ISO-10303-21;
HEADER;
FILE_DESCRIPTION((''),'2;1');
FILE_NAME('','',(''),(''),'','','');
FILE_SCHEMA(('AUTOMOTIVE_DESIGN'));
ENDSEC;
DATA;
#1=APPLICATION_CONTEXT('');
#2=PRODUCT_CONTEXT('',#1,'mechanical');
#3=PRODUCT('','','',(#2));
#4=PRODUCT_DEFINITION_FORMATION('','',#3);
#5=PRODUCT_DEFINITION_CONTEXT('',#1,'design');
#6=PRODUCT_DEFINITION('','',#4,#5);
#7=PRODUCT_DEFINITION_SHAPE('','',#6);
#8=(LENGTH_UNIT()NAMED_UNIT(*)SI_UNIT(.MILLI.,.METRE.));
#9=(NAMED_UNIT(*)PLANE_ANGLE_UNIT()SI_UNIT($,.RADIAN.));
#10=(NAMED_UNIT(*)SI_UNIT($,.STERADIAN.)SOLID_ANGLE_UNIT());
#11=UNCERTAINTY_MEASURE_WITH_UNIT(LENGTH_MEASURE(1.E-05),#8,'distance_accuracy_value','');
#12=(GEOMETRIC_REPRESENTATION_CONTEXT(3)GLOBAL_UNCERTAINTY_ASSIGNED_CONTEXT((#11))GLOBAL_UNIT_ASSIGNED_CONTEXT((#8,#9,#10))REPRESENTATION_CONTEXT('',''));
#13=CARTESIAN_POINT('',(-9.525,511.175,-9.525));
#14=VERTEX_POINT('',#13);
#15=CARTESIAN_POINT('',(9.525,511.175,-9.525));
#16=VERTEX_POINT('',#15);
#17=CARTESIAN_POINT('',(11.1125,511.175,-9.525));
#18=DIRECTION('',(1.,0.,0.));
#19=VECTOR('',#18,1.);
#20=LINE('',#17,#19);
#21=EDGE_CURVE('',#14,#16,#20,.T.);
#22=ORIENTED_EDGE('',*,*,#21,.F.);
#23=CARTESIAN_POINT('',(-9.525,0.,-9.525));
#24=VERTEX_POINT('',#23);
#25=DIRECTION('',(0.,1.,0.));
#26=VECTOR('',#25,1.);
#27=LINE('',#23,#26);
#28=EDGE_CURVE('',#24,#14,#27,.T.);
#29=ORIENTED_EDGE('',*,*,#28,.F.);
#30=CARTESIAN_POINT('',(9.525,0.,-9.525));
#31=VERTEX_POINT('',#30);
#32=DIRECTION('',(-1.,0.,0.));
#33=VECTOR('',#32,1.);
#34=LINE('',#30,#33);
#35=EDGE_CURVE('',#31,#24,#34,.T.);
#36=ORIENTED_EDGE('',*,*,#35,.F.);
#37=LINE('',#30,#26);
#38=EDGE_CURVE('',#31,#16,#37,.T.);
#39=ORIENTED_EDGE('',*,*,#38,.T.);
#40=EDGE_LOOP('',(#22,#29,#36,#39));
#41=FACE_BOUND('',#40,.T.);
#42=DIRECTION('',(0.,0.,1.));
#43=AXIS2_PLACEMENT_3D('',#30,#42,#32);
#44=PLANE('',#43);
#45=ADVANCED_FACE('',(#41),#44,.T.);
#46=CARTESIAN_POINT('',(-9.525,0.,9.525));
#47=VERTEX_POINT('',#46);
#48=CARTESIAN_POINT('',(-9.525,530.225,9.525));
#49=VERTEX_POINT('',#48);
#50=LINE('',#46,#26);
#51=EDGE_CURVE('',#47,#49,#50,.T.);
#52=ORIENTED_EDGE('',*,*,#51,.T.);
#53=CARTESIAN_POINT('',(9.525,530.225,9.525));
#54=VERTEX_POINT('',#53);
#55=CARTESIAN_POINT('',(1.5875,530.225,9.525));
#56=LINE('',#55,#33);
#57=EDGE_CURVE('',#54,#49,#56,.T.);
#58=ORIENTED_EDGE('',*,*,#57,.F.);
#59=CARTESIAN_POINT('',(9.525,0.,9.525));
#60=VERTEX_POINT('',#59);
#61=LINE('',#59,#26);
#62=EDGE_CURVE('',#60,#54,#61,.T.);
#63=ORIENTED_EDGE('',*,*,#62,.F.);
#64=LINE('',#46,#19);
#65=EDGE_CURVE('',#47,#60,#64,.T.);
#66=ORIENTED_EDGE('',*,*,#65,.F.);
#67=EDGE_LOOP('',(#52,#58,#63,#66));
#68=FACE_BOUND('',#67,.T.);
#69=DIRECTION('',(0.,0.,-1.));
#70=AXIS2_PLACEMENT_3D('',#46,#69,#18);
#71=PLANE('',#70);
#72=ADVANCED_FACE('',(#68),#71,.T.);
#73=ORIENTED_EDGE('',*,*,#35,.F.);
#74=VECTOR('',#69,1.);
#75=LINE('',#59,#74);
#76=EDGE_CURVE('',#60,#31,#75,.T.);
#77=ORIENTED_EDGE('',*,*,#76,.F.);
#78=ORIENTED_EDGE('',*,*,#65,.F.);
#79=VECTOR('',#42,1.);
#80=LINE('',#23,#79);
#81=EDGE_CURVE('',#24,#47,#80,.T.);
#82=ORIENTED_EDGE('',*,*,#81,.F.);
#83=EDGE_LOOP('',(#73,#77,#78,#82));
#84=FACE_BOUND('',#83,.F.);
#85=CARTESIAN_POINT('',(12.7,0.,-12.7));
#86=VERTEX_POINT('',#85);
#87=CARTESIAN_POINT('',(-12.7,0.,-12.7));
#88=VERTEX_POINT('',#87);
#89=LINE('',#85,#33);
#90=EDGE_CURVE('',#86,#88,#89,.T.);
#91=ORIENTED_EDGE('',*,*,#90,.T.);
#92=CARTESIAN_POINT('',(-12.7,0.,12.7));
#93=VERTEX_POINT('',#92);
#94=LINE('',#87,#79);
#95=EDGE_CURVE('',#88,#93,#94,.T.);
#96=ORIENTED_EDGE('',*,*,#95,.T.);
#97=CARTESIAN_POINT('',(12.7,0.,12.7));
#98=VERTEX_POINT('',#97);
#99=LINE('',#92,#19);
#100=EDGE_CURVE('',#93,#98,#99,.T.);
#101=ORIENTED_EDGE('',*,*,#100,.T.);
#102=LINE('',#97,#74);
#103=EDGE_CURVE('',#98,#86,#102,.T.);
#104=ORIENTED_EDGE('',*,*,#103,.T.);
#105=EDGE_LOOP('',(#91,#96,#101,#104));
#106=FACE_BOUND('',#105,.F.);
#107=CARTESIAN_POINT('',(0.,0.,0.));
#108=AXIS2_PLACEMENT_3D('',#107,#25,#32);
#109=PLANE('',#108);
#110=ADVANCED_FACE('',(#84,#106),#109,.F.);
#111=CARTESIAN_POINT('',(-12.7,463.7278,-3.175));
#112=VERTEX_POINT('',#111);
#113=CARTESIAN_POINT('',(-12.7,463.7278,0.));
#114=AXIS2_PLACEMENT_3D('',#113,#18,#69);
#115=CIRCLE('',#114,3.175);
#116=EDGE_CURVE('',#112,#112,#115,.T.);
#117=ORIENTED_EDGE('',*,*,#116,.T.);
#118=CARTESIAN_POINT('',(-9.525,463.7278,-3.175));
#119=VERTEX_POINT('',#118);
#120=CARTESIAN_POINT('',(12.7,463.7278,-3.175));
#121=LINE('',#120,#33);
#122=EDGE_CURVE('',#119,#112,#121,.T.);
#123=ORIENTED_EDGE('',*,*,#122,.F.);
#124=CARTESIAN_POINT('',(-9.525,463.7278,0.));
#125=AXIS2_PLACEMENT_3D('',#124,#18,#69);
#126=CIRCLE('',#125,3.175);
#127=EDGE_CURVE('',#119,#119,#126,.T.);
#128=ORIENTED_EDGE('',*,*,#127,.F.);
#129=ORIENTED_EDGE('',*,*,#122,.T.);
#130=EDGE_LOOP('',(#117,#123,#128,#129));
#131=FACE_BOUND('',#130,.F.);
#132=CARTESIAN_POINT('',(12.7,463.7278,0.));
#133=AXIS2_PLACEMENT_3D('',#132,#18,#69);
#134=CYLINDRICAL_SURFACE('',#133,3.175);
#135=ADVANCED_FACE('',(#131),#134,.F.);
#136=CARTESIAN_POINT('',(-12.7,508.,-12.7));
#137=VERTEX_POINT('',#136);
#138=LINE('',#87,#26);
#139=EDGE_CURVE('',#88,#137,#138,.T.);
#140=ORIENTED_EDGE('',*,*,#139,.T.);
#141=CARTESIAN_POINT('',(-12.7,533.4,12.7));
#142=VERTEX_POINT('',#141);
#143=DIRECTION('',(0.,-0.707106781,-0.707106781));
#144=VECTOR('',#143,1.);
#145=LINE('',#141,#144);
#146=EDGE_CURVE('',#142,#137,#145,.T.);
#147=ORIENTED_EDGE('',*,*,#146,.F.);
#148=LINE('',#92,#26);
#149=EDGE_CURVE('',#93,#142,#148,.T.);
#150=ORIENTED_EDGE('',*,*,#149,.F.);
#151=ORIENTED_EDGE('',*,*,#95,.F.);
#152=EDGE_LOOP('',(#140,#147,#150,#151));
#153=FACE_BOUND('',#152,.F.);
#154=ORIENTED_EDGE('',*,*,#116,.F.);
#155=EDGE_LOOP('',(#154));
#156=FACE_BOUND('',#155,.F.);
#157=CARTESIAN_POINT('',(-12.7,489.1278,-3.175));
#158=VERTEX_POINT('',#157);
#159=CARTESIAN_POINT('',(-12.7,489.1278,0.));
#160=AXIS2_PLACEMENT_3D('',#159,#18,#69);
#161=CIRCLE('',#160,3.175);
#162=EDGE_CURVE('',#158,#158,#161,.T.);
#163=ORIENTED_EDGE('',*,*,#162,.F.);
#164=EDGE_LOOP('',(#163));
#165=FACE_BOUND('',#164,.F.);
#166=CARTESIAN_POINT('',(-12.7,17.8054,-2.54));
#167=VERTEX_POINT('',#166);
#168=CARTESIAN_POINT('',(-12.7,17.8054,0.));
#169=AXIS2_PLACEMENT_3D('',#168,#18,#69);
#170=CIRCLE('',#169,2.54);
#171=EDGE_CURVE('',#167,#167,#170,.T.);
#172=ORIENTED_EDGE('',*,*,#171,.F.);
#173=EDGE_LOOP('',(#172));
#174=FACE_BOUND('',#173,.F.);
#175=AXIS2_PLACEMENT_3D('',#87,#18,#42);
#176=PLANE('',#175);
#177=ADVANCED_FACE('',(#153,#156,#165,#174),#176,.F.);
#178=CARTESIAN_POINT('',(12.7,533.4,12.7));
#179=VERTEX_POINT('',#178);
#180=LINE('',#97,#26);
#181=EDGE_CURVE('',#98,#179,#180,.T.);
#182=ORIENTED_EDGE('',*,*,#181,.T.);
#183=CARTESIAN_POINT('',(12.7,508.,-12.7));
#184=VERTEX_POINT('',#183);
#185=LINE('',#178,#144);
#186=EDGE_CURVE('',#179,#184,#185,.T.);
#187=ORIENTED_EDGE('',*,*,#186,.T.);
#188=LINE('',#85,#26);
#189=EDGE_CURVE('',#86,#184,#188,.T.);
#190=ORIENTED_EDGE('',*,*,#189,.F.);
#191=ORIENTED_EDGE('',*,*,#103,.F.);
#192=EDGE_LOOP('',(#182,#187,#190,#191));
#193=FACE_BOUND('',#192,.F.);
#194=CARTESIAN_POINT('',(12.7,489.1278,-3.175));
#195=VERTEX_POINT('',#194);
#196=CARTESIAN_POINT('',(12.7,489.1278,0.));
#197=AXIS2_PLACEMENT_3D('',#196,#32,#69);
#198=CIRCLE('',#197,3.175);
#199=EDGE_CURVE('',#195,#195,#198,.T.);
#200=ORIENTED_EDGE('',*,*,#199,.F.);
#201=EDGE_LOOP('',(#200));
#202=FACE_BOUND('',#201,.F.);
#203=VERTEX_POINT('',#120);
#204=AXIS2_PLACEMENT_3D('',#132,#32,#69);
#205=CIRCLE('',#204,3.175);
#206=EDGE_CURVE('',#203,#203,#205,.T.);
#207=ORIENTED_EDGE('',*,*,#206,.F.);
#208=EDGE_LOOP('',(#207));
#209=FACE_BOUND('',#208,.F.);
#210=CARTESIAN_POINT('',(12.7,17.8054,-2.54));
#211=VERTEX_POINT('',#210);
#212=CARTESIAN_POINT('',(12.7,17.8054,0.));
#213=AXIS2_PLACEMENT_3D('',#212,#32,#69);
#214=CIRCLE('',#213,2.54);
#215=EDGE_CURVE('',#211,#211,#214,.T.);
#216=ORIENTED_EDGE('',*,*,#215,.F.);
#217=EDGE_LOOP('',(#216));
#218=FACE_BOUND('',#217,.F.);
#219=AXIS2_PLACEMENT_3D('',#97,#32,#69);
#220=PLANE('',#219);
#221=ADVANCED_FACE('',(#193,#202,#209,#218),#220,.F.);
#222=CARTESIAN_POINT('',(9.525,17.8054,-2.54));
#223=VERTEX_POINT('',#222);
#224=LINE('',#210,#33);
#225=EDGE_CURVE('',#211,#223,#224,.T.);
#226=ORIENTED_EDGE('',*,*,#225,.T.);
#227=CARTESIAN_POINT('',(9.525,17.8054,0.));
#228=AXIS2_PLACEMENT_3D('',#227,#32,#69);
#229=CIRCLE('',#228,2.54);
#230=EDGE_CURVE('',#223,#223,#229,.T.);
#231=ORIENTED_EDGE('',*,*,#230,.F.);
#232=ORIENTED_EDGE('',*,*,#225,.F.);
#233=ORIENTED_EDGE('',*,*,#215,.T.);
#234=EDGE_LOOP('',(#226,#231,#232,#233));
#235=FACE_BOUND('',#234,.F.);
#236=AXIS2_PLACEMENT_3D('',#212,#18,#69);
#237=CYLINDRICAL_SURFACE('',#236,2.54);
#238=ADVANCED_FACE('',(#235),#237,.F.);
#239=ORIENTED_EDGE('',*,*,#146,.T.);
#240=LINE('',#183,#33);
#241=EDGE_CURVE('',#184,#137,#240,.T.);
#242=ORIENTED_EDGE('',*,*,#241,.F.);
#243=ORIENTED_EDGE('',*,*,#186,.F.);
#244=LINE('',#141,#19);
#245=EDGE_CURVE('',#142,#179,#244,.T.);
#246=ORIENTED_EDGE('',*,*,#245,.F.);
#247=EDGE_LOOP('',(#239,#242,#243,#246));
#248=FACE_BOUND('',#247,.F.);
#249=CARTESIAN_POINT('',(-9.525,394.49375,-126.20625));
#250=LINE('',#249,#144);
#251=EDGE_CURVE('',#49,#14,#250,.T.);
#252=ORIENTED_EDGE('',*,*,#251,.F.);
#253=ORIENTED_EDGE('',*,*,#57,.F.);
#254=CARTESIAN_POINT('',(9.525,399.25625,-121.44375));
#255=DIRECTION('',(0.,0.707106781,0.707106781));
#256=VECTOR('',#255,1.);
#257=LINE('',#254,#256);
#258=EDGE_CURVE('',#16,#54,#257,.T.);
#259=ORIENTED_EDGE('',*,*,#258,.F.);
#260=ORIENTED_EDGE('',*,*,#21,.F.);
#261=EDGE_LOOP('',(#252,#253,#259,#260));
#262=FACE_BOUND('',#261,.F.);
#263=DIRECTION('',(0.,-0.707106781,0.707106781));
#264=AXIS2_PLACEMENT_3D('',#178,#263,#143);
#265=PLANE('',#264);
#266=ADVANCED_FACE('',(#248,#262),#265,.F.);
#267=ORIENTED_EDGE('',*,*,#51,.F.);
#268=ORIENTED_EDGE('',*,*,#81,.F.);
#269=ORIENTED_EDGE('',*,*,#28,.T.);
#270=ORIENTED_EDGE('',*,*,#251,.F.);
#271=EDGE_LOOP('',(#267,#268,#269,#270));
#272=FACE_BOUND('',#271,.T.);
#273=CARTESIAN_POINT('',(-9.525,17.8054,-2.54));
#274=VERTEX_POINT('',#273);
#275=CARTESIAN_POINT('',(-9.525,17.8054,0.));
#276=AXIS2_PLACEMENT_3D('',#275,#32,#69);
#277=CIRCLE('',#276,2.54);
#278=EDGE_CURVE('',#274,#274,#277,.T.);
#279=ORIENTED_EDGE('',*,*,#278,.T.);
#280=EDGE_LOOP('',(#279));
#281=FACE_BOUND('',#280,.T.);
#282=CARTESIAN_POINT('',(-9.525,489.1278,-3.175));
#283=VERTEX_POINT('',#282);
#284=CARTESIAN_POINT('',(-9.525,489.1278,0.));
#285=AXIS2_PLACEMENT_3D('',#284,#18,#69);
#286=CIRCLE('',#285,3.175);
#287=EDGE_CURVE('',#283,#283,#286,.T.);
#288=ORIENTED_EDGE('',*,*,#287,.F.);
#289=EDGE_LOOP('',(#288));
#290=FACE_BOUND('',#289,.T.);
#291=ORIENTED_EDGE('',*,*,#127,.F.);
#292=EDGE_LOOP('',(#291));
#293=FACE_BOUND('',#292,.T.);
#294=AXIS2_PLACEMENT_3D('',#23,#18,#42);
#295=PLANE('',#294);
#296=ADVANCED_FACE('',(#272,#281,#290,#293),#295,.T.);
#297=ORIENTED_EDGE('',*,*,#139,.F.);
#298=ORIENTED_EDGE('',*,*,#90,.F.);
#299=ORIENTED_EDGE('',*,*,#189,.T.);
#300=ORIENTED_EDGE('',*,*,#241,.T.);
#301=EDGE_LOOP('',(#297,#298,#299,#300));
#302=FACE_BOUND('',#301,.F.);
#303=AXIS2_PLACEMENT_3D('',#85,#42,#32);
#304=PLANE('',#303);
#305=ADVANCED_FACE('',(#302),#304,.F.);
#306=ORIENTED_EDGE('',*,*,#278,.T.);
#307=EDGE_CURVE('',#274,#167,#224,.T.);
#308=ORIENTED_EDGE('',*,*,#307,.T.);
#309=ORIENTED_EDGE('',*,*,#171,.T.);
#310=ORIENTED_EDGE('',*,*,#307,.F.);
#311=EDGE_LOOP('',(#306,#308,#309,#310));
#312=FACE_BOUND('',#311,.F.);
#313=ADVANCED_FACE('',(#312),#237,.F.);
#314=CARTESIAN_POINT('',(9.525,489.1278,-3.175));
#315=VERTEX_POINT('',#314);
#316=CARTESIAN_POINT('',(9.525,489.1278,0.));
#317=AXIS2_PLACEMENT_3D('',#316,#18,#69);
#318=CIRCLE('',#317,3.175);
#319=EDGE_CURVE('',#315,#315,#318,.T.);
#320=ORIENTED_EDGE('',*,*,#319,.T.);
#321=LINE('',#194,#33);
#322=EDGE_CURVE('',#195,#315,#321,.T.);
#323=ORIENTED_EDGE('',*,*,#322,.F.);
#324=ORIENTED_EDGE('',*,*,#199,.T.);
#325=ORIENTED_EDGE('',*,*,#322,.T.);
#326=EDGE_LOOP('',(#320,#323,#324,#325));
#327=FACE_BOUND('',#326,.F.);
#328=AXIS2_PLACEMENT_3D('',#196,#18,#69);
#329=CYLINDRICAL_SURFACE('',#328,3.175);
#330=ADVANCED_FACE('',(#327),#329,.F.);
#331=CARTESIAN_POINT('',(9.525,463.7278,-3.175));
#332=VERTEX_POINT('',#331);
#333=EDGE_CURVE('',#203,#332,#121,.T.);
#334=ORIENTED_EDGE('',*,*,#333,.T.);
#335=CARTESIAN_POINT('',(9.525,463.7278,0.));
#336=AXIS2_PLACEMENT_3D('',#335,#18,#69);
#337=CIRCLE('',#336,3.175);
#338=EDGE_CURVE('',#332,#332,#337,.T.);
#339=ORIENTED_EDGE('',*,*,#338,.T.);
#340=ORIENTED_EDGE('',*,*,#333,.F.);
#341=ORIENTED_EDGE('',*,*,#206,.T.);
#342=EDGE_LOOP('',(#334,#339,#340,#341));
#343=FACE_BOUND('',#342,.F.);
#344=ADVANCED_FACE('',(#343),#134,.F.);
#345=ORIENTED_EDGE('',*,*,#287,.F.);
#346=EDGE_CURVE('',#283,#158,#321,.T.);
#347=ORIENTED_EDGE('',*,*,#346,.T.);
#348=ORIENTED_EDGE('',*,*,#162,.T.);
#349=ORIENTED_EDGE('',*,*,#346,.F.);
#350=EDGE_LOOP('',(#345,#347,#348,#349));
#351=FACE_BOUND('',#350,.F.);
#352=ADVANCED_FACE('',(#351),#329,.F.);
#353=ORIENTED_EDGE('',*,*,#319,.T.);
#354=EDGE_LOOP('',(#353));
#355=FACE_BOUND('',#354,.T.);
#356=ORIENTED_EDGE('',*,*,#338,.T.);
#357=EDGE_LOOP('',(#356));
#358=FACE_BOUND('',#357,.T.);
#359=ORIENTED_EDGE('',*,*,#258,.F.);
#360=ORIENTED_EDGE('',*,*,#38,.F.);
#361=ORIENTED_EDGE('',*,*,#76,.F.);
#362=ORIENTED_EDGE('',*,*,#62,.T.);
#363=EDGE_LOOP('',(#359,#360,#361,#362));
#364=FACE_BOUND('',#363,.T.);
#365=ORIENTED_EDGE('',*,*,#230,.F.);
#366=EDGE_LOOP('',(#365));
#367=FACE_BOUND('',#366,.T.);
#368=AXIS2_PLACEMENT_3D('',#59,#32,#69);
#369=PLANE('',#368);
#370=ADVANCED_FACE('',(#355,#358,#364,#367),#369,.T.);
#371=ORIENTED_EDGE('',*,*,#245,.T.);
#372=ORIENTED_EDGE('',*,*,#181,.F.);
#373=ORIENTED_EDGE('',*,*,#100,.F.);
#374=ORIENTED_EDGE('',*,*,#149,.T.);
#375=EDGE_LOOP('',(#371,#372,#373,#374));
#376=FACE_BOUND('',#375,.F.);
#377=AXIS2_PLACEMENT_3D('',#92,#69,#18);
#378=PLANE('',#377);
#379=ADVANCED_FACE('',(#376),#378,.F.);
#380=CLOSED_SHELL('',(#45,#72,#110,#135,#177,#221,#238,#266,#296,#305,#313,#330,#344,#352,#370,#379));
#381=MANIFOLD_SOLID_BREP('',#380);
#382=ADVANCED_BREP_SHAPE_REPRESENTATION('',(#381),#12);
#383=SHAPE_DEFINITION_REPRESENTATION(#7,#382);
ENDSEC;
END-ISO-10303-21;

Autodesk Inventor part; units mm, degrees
ref_plane "YZ Plane" through (0, 0, 0) normal (1, 0, 0) x (0, 1, 0)
ref_plane "XZ Plane" through (0, 0, 0) normal (0, 1, 0) x (-1, 0, 0)
ref_plane "XY Plane" through (0, 0, 0) normal (0, 0, 1) x (1, 0, 0)
sketch "Sketch1" plane through (0, 0, 0) normal (0, 1, 0) x (-1, 0, 0)
  line L0 (-12.7, -12.7) -> (12.7, -12.7)
  line L1 (12.7, -12.7) -> (12.7, 12.7)
  line L2 (12.7, 12.7) -> (-12.7, 12.7)
  line L3 (-12.7, 12.7) -> (-12.7, -12.7)
  line L4 (-12.7, -12.7) -> (12.7, 12.7) construction
  line L5 (12.7, -12.7) -> (-12.7, 12.7) construction
  line L6 (-9.525, -9.525) -> (9.525, -9.525)
  line L7 (9.525, -9.525) -> (9.525, 9.525)
  line L8 (9.525, 9.525) -> (-9.525, 9.525)
  line L9 (-9.525, 9.525) -> (-9.525, -9.525)
  line L10 (-9.525, -9.525) -> (9.525, 9.525) construction
  line L11 (9.525, -9.525) -> (-9.525, 9.525) construction
  point P0 (0, 0)
  dimension "d0" = 25.4
  dimension "d1" = 25.4
  dimension "d2" = 19.05
  dimension "d3" = 19.05
extrude "Extrusion1" add sketch "Sketch1" along normal blind 533.4
sketch "Sketch2" plane through (12.7, 0, 12.7) normal (1, 0, 0) x (0, 0, -1)
  line L0 (25.4, 0) -> (25.4, 533.4) projected
  line L1 (0, 533.4) -> (25.4, 533.4) projected
  line L2 (0, 533.4) -> (25.4, 508)
  line L3 (0, 533.4) -> (35.921, 533.4) construction
  point P0 (12.7, 0)
  dimension "d6" = 45
extrude "Extrusion2" cut sketch "Sketch2" against normal blind 25.4
sketch "Sketch3" plane through (12.7, 0, 12.7) normal (1, 0, 0) x (0, 0, -1)
  line L0 (25.4, 0) -> (25.4, 508) projected
  line L1 (12.7, 0) -> (12.7, 17.8054)
  circle A0 centre (12.7, 17.8054) radius 2.54
  dimension "d9" = 17.8054
  dimension "d10" = 5.08
extrude "Extrusion3" cut sketch "Sketch3" against normal blind 25.4
sketch "Sketch4" plane through (12.7, 0, 12.7) normal (1, 0, 0) x (0, 0, -1)
  line L0 (25.4, 0) -> (25.4, 508) projected
  line L1 (12.7, 0) -> (12.7, 463.7278)
  line L2 (12.7, 0) -> (476.4278, 0) construction
  line L3 (12.7, 463.7278) -> (12.7, 489.1278)
  circle A0 centre (12.7, 489.1278) radius 3.175
  circle A1 centre (12.7, 463.7278) radius 3.175
  dimension "d13" = 463.7278
  dimension "d14" = 90
  dimension "d15" = 25.4
  dimension "d16" = 180
  dimension "d17" = 6.35
  dimension "d18" = 6.35
extrude "Extrusion4" cut sketch "Sketch4" against normal blind 25.4
properties part number "TestSupport"
